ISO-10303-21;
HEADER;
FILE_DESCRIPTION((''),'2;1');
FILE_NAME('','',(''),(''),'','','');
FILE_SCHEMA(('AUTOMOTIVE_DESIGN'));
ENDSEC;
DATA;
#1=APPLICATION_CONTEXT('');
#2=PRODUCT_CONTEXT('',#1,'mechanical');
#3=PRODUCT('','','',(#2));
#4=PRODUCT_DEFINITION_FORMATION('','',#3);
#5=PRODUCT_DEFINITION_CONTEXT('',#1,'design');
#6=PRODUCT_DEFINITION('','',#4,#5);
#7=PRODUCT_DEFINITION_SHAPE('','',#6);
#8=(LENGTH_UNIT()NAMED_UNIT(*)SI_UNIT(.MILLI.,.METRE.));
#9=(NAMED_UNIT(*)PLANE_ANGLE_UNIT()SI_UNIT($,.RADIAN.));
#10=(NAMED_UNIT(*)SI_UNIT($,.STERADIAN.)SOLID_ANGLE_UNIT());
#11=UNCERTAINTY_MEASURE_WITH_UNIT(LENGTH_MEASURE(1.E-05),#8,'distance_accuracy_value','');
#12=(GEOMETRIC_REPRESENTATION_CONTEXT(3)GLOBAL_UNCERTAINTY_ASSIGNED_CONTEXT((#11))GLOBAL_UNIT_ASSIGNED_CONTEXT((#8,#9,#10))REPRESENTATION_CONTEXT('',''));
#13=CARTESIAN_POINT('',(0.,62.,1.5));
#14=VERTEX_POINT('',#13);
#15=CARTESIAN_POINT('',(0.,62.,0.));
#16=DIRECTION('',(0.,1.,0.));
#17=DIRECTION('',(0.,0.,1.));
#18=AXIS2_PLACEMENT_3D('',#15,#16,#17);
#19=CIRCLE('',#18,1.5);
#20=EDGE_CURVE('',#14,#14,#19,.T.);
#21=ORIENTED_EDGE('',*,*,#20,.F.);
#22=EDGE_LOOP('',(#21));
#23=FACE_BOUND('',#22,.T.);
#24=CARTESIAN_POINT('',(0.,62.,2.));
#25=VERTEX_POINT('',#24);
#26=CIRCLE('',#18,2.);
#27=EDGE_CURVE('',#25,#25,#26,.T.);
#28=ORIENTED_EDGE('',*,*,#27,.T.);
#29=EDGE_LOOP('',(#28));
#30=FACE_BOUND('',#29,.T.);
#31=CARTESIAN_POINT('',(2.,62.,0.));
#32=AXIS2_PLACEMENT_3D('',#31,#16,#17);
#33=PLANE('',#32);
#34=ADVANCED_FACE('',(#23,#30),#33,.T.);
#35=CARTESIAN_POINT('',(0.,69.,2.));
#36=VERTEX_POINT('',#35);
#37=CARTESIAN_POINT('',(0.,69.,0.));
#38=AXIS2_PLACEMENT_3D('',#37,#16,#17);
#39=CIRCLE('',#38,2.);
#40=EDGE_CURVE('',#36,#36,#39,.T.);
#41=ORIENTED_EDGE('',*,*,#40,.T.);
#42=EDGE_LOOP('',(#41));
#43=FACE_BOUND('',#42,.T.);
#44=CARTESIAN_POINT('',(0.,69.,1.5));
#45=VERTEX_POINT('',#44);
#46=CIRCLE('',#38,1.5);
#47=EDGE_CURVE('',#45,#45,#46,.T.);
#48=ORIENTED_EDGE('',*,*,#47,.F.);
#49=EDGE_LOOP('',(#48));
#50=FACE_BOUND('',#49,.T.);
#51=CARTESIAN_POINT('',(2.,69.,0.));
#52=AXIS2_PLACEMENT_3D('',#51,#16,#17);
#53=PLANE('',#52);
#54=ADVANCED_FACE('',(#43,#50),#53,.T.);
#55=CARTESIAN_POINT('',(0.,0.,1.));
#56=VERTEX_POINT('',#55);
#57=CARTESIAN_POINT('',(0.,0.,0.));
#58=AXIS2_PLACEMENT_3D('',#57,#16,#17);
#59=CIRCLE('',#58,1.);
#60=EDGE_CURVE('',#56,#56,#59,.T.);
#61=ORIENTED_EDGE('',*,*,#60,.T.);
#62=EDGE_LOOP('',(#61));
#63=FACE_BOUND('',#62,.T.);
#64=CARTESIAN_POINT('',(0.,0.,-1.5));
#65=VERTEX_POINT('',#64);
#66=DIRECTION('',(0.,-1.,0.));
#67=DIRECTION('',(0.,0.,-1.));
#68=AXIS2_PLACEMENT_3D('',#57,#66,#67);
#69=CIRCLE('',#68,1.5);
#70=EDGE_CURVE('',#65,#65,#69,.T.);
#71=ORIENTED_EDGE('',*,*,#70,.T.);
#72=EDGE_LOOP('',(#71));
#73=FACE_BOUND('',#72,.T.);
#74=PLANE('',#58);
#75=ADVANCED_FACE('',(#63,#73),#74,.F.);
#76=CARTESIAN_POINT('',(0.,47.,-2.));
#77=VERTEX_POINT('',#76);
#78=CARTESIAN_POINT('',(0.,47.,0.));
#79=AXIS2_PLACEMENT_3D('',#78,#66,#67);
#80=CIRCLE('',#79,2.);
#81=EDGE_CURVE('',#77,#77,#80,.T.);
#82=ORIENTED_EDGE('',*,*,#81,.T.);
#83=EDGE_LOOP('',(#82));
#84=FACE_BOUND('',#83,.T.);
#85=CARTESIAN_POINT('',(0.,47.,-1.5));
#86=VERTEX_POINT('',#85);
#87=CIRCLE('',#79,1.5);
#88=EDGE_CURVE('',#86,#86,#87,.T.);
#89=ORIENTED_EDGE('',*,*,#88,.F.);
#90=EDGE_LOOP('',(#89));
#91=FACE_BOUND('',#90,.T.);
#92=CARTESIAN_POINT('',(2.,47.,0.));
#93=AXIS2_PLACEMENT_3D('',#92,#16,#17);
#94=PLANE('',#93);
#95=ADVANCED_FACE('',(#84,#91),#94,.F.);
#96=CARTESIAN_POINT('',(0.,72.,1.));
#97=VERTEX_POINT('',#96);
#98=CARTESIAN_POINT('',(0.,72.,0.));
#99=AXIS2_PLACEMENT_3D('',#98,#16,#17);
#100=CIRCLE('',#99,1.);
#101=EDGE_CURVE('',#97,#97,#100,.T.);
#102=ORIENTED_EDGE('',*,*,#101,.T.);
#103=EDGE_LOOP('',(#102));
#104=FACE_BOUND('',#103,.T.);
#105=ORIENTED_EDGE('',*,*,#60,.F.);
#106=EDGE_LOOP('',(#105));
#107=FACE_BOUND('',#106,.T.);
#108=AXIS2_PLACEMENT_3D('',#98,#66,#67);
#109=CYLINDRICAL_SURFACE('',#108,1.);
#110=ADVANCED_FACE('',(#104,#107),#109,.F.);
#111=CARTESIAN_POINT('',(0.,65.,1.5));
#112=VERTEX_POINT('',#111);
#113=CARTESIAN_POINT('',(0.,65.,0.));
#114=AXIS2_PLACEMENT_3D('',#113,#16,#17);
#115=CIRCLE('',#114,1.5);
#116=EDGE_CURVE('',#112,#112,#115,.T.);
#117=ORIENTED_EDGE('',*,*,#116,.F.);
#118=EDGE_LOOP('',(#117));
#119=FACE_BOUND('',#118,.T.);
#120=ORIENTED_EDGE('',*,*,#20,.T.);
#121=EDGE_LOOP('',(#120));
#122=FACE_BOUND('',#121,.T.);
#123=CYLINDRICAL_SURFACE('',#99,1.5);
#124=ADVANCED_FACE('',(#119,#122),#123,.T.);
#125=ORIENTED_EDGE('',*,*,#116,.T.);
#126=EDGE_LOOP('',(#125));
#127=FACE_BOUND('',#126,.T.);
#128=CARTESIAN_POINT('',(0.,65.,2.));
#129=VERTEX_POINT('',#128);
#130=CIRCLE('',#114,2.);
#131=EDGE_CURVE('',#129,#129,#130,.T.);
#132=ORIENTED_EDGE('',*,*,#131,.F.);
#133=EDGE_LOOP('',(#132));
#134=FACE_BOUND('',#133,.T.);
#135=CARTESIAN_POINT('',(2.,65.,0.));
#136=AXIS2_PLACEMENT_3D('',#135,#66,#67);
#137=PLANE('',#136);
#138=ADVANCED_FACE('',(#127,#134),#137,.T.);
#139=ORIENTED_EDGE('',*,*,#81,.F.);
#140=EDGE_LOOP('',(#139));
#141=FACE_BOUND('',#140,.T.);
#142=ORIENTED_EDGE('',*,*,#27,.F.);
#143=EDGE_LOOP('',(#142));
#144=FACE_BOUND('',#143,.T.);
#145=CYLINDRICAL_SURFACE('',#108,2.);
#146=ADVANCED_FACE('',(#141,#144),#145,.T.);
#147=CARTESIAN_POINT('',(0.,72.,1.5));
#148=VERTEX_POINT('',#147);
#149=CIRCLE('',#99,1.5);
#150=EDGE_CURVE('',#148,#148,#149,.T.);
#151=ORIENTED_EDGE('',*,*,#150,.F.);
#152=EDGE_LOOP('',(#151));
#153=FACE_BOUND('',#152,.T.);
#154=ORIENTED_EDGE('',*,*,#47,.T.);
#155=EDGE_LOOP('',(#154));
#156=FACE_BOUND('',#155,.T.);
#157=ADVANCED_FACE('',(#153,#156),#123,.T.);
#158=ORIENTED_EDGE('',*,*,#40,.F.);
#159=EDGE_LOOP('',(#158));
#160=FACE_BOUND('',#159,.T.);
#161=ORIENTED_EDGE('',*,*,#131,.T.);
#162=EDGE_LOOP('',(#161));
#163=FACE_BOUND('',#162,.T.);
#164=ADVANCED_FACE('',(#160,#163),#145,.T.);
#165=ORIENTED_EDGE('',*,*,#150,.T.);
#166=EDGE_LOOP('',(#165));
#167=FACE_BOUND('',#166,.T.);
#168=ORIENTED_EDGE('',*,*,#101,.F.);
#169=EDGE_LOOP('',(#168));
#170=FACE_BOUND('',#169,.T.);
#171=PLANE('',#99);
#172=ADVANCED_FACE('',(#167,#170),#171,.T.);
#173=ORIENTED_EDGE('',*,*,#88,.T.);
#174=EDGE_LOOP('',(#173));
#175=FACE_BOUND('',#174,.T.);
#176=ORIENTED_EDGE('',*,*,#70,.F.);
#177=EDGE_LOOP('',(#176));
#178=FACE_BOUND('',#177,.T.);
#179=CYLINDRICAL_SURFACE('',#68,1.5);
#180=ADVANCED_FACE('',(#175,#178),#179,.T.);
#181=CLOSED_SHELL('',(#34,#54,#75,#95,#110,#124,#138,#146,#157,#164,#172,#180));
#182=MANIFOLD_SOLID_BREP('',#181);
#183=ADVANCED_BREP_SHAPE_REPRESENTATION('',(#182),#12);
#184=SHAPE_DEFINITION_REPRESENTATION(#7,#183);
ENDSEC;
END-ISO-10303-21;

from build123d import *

# Parameters (mm, degrees)
SKETCH_1_R      = 2
SKETCH_1_R_2    = 1
EXTRUDE_1_DEPTH = 72
SKETCH_2_W      = 0.5
SKETCH_2_H      = 3
SKETCH_3_W      = 0.5
SKETCH_3_H      = 47


with BuildPart() as part:
    # Эскиз1 → Бобышка-Вытянуть1 (new body)
    with BuildSketch(Plane(origin=(0, 0, 0), x_dir=(1, 0, 0), z_dir=(0, 1, 0))):
        Circle(SKETCH_1_R)
        Circle(SKETCH_1_R_2, mode=Mode.SUBTRACT)
    extrude(amount=EXTRUDE_1_DEPTH)

    # Эскиз2 → Вырез-Повернуть1 (revolve, cut)
    with BuildSketch(Plane.XY):
        with Locations((1.75, 70.5)):
            Rectangle(SKETCH_2_W, SKETCH_2_H)
        with Locations((1.75, 63.5)):
            Rectangle(SKETCH_2_W, SKETCH_2_H)
    revolve(axis=Axis((0, 72, 0), (0, -1, 0)), mode=Mode.SUBTRACT)

    # Эскиз3 → Вырез-Повернуть2 (revolve, cut)
    with BuildSketch(Plane.XY):
        with Locations((1.75, 23.5)):
            Rectangle(SKETCH_3_W, SKETCH_3_H)
    revolve(axis=Axis((0, 0, 0), (0, 1, 0)), mode=Mode.SUBTRACT)


solid = part.part
